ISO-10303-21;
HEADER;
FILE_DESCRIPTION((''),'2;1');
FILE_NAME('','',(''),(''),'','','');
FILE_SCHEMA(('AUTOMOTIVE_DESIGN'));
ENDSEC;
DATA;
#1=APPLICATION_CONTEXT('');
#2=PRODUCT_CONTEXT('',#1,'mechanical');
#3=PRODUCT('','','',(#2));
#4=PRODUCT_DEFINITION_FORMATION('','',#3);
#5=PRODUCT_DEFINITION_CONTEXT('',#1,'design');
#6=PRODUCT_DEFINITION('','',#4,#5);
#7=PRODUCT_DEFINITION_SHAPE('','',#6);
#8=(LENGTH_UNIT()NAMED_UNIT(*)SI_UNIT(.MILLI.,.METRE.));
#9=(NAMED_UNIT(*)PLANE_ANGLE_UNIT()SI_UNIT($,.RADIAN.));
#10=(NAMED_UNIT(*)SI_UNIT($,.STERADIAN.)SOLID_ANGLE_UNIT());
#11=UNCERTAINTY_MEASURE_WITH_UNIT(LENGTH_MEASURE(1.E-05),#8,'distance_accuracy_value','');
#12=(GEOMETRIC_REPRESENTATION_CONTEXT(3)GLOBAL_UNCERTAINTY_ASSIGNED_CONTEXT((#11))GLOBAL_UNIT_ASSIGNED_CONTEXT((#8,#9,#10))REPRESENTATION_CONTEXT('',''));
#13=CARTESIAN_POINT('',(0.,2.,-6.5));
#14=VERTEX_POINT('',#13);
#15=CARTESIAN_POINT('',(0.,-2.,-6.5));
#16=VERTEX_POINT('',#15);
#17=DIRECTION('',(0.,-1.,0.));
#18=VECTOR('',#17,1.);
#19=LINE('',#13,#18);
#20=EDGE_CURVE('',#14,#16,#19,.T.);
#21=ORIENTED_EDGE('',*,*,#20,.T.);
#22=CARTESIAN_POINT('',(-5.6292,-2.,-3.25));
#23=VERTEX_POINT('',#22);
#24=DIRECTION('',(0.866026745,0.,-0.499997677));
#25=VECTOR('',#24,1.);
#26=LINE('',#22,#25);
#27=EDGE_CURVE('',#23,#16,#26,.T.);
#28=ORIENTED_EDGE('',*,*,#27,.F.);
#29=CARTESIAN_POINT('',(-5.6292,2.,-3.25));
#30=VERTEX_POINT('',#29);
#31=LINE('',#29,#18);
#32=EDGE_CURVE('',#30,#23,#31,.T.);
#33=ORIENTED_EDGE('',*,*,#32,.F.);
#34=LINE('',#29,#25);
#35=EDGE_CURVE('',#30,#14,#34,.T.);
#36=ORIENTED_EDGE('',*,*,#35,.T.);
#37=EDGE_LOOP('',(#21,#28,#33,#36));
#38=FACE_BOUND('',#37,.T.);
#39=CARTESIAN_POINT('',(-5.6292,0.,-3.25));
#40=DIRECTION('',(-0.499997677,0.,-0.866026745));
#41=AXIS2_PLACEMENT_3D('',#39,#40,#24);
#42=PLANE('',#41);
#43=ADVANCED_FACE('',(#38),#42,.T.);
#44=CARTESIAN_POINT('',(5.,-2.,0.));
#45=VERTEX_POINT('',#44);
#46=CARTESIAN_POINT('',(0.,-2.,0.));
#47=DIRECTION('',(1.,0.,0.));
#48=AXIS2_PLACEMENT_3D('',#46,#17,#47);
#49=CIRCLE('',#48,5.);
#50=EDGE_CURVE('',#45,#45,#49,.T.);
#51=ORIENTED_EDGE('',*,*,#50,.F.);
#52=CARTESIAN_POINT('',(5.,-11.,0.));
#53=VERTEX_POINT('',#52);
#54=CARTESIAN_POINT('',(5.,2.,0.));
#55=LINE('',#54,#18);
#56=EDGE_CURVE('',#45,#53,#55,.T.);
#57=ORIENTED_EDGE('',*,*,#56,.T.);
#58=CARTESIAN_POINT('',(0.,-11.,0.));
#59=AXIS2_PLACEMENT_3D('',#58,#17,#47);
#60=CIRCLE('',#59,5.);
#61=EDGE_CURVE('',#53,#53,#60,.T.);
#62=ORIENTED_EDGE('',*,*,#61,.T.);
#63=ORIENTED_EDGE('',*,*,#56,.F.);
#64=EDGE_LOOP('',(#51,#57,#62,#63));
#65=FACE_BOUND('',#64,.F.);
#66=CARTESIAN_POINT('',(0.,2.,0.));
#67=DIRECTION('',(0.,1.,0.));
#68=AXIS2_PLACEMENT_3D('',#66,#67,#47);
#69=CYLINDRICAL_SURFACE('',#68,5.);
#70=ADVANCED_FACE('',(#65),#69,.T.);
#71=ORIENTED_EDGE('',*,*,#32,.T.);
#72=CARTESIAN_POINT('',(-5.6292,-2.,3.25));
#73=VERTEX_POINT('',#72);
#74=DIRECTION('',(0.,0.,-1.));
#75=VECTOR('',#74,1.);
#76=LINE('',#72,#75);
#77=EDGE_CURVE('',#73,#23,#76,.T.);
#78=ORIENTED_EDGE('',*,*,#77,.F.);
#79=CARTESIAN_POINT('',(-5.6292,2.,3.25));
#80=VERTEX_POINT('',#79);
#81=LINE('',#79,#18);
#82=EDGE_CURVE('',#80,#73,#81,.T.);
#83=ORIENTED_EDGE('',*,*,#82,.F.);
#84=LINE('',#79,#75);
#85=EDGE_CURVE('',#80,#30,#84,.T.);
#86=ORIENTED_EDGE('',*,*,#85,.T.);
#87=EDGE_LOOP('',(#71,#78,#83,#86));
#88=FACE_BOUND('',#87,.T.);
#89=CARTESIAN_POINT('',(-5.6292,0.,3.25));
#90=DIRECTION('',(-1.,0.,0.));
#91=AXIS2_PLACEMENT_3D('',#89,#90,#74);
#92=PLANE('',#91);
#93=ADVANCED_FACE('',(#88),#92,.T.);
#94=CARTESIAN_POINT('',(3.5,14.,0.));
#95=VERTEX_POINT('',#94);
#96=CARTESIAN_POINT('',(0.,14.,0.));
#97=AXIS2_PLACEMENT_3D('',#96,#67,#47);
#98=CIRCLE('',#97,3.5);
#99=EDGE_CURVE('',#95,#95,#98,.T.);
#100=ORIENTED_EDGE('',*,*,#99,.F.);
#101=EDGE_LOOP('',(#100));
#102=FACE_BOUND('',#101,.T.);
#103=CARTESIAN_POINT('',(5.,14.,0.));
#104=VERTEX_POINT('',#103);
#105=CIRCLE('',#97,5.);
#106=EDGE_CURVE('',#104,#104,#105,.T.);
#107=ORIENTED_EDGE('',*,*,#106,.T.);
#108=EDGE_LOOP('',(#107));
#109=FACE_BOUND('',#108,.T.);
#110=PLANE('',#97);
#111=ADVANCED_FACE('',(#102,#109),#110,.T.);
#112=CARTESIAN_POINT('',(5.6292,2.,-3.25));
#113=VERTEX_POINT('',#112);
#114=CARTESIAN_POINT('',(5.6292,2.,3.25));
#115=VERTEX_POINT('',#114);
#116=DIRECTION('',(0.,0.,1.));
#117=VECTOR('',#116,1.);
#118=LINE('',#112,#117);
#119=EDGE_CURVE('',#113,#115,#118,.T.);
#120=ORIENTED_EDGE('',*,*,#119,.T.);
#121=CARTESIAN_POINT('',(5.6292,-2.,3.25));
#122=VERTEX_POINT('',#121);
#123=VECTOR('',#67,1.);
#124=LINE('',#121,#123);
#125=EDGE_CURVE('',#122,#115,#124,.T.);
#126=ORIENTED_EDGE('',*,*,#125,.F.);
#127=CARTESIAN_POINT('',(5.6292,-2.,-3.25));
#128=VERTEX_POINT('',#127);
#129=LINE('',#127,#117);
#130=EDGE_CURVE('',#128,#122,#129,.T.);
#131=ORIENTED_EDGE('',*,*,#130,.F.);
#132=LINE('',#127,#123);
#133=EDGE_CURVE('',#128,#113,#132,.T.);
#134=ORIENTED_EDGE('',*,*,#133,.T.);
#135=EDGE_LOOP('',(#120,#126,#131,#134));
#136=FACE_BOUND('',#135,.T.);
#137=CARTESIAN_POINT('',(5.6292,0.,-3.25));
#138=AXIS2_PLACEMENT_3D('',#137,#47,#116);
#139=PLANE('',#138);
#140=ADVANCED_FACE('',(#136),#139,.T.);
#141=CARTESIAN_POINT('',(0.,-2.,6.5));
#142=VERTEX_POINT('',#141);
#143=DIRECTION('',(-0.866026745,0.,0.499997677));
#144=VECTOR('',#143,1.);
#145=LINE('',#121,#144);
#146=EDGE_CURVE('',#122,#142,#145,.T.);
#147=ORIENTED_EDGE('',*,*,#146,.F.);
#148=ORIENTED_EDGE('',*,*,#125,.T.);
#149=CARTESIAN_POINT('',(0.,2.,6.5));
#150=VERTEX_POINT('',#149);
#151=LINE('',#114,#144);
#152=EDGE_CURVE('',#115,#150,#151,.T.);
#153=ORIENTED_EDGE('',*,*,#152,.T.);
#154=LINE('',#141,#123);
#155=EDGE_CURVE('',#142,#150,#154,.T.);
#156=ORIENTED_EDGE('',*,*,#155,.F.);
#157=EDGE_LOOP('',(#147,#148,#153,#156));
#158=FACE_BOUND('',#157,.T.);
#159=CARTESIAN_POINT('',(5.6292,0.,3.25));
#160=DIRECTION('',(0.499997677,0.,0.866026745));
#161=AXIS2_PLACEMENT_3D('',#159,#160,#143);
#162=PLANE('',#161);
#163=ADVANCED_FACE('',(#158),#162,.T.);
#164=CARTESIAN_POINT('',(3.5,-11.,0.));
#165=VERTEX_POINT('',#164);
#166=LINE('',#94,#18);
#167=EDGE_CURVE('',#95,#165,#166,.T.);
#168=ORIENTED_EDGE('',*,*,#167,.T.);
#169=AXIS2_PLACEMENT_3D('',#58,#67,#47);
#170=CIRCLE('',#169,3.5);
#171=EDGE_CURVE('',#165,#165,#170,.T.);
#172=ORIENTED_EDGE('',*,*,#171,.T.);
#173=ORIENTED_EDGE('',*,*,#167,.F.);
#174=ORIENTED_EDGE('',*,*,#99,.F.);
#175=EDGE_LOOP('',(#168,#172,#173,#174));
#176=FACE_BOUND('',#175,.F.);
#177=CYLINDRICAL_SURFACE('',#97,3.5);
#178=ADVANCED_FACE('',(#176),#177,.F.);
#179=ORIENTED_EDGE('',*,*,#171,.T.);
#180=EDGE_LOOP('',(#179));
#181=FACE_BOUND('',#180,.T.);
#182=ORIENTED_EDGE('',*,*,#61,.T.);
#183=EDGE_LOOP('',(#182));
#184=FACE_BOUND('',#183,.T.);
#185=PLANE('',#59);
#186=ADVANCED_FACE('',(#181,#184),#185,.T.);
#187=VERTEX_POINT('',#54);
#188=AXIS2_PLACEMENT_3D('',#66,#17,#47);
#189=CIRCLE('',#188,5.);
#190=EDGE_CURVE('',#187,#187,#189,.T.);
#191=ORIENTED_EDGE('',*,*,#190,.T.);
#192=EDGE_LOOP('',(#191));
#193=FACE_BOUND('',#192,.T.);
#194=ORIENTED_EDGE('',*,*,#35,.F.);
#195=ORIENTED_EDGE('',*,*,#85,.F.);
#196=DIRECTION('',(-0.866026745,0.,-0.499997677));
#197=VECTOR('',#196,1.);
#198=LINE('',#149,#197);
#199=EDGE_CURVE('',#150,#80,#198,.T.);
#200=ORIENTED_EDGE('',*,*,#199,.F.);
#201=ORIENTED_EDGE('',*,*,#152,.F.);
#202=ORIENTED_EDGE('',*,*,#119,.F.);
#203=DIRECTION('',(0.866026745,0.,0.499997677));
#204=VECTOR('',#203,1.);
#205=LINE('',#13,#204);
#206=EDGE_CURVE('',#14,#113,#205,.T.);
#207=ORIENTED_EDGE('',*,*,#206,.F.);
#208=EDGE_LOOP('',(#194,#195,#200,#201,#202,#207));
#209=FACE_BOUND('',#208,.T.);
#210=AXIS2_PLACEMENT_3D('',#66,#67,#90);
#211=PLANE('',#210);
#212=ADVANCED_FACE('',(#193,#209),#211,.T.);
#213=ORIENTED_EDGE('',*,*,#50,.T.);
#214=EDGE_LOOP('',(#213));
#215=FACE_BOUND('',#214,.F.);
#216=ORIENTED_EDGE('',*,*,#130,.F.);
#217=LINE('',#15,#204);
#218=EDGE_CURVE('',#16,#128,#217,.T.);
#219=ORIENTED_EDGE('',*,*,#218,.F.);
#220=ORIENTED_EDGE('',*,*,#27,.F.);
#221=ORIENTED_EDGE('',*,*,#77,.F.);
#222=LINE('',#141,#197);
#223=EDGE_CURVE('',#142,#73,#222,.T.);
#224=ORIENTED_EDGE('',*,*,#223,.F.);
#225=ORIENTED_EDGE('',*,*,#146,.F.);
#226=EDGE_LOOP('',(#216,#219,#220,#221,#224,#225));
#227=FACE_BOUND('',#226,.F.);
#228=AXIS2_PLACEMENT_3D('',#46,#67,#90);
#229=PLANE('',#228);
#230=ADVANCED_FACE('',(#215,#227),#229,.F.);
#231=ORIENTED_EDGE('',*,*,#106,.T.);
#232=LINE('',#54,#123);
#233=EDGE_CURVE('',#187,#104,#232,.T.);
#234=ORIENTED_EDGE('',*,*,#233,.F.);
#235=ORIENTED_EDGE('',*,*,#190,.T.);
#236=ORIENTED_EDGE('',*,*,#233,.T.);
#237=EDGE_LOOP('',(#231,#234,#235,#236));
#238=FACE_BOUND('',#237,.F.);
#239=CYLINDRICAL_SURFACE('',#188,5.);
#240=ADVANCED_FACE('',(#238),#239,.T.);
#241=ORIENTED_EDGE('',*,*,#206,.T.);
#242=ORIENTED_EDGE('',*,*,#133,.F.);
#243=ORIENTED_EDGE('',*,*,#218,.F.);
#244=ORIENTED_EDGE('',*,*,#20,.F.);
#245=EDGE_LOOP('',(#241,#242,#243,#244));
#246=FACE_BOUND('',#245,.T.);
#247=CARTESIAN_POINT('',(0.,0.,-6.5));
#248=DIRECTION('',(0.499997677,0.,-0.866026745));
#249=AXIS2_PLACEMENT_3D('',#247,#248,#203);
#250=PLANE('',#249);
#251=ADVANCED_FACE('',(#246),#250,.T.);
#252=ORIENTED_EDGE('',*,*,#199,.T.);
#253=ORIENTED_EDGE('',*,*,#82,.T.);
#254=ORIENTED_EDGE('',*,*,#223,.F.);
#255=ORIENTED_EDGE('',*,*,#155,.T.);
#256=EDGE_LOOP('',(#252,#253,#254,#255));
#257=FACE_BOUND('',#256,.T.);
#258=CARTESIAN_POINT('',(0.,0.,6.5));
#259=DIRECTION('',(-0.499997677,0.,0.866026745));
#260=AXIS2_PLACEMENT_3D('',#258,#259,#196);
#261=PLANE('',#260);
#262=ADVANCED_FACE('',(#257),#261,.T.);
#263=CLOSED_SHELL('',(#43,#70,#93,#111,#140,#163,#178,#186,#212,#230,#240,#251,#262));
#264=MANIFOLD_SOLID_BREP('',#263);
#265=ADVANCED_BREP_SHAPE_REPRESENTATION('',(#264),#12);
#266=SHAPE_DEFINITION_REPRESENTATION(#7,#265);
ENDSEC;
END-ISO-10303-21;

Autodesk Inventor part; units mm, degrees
ref_plane "YZ Plane" through (0, 0, 0) normal (1, 0, 0) x (0, 1, 0)
ref_plane "XZ Plane" through (0, 0, 0) normal (0, 1, 0) x (-1, 0, 0)
ref_plane "XY Plane" through (0, 0, 0) normal (0, 0, 1) x (1, 0, 0)
sketch "Skizze1" plane through (0, 0, 0) normal (0, 1, 0) x (-1, 0, 0)
  line L0 (0, 6.5) -> (5.6292, 3.25)
  line L1 (5.6292, 3.25) -> (5.6292, -3.25)
  line L2 (5.6292, -3.25) -> (0, -6.5)
  line L3 (0, -6.5) -> (-5.6292, -3.25)
  line L4 (-5.6292, -3.25) -> (-5.6292, 3.25)
  line L5 (-5.6292, 3.25) -> (0, 6.5)
  circle A0 centre (0, 0) radius 5
  dimension "d0" = 10
  dimension "d1" = 13
extrude "Extrusion1" add sketch "Skizze1" along normal mid plane 4
sketch "Skizze2" plane through (0, 2, 0) normal (0, 1, 0) x (1, 0, 0)
  circle A0 centre (0, 0) radius 5
extrude "Extrusion2" add sketch "Skizze2" along normal blind 12
sketch "Skizze3" plane through (0, 2, 0) normal (0, -1, 0) x (1, 0, 0)
  circle A0 centre (0, 0) radius 5
extrude "Extrusion3" add sketch "Skizze3" along normal blind 13
thread "Gewinde1" size "M10x1.5" class "6g" standard "ISO Metric profile" length 12
thread "Gewinde2" size "M10x1.5" class "6g" standard "ISO Metric profile" length 9
sketch "Skizze4" plane through (0, 14, 0) normal (0, 1, 0) x (1, 0, 0)
  circle A0 centre (0, 0) radius 3.5
  dimension "d12" = 7
extrude "Extrusion4" cut sketch "Skizze4" against normal up to surface (25 mm away)
properties part number "1154"
